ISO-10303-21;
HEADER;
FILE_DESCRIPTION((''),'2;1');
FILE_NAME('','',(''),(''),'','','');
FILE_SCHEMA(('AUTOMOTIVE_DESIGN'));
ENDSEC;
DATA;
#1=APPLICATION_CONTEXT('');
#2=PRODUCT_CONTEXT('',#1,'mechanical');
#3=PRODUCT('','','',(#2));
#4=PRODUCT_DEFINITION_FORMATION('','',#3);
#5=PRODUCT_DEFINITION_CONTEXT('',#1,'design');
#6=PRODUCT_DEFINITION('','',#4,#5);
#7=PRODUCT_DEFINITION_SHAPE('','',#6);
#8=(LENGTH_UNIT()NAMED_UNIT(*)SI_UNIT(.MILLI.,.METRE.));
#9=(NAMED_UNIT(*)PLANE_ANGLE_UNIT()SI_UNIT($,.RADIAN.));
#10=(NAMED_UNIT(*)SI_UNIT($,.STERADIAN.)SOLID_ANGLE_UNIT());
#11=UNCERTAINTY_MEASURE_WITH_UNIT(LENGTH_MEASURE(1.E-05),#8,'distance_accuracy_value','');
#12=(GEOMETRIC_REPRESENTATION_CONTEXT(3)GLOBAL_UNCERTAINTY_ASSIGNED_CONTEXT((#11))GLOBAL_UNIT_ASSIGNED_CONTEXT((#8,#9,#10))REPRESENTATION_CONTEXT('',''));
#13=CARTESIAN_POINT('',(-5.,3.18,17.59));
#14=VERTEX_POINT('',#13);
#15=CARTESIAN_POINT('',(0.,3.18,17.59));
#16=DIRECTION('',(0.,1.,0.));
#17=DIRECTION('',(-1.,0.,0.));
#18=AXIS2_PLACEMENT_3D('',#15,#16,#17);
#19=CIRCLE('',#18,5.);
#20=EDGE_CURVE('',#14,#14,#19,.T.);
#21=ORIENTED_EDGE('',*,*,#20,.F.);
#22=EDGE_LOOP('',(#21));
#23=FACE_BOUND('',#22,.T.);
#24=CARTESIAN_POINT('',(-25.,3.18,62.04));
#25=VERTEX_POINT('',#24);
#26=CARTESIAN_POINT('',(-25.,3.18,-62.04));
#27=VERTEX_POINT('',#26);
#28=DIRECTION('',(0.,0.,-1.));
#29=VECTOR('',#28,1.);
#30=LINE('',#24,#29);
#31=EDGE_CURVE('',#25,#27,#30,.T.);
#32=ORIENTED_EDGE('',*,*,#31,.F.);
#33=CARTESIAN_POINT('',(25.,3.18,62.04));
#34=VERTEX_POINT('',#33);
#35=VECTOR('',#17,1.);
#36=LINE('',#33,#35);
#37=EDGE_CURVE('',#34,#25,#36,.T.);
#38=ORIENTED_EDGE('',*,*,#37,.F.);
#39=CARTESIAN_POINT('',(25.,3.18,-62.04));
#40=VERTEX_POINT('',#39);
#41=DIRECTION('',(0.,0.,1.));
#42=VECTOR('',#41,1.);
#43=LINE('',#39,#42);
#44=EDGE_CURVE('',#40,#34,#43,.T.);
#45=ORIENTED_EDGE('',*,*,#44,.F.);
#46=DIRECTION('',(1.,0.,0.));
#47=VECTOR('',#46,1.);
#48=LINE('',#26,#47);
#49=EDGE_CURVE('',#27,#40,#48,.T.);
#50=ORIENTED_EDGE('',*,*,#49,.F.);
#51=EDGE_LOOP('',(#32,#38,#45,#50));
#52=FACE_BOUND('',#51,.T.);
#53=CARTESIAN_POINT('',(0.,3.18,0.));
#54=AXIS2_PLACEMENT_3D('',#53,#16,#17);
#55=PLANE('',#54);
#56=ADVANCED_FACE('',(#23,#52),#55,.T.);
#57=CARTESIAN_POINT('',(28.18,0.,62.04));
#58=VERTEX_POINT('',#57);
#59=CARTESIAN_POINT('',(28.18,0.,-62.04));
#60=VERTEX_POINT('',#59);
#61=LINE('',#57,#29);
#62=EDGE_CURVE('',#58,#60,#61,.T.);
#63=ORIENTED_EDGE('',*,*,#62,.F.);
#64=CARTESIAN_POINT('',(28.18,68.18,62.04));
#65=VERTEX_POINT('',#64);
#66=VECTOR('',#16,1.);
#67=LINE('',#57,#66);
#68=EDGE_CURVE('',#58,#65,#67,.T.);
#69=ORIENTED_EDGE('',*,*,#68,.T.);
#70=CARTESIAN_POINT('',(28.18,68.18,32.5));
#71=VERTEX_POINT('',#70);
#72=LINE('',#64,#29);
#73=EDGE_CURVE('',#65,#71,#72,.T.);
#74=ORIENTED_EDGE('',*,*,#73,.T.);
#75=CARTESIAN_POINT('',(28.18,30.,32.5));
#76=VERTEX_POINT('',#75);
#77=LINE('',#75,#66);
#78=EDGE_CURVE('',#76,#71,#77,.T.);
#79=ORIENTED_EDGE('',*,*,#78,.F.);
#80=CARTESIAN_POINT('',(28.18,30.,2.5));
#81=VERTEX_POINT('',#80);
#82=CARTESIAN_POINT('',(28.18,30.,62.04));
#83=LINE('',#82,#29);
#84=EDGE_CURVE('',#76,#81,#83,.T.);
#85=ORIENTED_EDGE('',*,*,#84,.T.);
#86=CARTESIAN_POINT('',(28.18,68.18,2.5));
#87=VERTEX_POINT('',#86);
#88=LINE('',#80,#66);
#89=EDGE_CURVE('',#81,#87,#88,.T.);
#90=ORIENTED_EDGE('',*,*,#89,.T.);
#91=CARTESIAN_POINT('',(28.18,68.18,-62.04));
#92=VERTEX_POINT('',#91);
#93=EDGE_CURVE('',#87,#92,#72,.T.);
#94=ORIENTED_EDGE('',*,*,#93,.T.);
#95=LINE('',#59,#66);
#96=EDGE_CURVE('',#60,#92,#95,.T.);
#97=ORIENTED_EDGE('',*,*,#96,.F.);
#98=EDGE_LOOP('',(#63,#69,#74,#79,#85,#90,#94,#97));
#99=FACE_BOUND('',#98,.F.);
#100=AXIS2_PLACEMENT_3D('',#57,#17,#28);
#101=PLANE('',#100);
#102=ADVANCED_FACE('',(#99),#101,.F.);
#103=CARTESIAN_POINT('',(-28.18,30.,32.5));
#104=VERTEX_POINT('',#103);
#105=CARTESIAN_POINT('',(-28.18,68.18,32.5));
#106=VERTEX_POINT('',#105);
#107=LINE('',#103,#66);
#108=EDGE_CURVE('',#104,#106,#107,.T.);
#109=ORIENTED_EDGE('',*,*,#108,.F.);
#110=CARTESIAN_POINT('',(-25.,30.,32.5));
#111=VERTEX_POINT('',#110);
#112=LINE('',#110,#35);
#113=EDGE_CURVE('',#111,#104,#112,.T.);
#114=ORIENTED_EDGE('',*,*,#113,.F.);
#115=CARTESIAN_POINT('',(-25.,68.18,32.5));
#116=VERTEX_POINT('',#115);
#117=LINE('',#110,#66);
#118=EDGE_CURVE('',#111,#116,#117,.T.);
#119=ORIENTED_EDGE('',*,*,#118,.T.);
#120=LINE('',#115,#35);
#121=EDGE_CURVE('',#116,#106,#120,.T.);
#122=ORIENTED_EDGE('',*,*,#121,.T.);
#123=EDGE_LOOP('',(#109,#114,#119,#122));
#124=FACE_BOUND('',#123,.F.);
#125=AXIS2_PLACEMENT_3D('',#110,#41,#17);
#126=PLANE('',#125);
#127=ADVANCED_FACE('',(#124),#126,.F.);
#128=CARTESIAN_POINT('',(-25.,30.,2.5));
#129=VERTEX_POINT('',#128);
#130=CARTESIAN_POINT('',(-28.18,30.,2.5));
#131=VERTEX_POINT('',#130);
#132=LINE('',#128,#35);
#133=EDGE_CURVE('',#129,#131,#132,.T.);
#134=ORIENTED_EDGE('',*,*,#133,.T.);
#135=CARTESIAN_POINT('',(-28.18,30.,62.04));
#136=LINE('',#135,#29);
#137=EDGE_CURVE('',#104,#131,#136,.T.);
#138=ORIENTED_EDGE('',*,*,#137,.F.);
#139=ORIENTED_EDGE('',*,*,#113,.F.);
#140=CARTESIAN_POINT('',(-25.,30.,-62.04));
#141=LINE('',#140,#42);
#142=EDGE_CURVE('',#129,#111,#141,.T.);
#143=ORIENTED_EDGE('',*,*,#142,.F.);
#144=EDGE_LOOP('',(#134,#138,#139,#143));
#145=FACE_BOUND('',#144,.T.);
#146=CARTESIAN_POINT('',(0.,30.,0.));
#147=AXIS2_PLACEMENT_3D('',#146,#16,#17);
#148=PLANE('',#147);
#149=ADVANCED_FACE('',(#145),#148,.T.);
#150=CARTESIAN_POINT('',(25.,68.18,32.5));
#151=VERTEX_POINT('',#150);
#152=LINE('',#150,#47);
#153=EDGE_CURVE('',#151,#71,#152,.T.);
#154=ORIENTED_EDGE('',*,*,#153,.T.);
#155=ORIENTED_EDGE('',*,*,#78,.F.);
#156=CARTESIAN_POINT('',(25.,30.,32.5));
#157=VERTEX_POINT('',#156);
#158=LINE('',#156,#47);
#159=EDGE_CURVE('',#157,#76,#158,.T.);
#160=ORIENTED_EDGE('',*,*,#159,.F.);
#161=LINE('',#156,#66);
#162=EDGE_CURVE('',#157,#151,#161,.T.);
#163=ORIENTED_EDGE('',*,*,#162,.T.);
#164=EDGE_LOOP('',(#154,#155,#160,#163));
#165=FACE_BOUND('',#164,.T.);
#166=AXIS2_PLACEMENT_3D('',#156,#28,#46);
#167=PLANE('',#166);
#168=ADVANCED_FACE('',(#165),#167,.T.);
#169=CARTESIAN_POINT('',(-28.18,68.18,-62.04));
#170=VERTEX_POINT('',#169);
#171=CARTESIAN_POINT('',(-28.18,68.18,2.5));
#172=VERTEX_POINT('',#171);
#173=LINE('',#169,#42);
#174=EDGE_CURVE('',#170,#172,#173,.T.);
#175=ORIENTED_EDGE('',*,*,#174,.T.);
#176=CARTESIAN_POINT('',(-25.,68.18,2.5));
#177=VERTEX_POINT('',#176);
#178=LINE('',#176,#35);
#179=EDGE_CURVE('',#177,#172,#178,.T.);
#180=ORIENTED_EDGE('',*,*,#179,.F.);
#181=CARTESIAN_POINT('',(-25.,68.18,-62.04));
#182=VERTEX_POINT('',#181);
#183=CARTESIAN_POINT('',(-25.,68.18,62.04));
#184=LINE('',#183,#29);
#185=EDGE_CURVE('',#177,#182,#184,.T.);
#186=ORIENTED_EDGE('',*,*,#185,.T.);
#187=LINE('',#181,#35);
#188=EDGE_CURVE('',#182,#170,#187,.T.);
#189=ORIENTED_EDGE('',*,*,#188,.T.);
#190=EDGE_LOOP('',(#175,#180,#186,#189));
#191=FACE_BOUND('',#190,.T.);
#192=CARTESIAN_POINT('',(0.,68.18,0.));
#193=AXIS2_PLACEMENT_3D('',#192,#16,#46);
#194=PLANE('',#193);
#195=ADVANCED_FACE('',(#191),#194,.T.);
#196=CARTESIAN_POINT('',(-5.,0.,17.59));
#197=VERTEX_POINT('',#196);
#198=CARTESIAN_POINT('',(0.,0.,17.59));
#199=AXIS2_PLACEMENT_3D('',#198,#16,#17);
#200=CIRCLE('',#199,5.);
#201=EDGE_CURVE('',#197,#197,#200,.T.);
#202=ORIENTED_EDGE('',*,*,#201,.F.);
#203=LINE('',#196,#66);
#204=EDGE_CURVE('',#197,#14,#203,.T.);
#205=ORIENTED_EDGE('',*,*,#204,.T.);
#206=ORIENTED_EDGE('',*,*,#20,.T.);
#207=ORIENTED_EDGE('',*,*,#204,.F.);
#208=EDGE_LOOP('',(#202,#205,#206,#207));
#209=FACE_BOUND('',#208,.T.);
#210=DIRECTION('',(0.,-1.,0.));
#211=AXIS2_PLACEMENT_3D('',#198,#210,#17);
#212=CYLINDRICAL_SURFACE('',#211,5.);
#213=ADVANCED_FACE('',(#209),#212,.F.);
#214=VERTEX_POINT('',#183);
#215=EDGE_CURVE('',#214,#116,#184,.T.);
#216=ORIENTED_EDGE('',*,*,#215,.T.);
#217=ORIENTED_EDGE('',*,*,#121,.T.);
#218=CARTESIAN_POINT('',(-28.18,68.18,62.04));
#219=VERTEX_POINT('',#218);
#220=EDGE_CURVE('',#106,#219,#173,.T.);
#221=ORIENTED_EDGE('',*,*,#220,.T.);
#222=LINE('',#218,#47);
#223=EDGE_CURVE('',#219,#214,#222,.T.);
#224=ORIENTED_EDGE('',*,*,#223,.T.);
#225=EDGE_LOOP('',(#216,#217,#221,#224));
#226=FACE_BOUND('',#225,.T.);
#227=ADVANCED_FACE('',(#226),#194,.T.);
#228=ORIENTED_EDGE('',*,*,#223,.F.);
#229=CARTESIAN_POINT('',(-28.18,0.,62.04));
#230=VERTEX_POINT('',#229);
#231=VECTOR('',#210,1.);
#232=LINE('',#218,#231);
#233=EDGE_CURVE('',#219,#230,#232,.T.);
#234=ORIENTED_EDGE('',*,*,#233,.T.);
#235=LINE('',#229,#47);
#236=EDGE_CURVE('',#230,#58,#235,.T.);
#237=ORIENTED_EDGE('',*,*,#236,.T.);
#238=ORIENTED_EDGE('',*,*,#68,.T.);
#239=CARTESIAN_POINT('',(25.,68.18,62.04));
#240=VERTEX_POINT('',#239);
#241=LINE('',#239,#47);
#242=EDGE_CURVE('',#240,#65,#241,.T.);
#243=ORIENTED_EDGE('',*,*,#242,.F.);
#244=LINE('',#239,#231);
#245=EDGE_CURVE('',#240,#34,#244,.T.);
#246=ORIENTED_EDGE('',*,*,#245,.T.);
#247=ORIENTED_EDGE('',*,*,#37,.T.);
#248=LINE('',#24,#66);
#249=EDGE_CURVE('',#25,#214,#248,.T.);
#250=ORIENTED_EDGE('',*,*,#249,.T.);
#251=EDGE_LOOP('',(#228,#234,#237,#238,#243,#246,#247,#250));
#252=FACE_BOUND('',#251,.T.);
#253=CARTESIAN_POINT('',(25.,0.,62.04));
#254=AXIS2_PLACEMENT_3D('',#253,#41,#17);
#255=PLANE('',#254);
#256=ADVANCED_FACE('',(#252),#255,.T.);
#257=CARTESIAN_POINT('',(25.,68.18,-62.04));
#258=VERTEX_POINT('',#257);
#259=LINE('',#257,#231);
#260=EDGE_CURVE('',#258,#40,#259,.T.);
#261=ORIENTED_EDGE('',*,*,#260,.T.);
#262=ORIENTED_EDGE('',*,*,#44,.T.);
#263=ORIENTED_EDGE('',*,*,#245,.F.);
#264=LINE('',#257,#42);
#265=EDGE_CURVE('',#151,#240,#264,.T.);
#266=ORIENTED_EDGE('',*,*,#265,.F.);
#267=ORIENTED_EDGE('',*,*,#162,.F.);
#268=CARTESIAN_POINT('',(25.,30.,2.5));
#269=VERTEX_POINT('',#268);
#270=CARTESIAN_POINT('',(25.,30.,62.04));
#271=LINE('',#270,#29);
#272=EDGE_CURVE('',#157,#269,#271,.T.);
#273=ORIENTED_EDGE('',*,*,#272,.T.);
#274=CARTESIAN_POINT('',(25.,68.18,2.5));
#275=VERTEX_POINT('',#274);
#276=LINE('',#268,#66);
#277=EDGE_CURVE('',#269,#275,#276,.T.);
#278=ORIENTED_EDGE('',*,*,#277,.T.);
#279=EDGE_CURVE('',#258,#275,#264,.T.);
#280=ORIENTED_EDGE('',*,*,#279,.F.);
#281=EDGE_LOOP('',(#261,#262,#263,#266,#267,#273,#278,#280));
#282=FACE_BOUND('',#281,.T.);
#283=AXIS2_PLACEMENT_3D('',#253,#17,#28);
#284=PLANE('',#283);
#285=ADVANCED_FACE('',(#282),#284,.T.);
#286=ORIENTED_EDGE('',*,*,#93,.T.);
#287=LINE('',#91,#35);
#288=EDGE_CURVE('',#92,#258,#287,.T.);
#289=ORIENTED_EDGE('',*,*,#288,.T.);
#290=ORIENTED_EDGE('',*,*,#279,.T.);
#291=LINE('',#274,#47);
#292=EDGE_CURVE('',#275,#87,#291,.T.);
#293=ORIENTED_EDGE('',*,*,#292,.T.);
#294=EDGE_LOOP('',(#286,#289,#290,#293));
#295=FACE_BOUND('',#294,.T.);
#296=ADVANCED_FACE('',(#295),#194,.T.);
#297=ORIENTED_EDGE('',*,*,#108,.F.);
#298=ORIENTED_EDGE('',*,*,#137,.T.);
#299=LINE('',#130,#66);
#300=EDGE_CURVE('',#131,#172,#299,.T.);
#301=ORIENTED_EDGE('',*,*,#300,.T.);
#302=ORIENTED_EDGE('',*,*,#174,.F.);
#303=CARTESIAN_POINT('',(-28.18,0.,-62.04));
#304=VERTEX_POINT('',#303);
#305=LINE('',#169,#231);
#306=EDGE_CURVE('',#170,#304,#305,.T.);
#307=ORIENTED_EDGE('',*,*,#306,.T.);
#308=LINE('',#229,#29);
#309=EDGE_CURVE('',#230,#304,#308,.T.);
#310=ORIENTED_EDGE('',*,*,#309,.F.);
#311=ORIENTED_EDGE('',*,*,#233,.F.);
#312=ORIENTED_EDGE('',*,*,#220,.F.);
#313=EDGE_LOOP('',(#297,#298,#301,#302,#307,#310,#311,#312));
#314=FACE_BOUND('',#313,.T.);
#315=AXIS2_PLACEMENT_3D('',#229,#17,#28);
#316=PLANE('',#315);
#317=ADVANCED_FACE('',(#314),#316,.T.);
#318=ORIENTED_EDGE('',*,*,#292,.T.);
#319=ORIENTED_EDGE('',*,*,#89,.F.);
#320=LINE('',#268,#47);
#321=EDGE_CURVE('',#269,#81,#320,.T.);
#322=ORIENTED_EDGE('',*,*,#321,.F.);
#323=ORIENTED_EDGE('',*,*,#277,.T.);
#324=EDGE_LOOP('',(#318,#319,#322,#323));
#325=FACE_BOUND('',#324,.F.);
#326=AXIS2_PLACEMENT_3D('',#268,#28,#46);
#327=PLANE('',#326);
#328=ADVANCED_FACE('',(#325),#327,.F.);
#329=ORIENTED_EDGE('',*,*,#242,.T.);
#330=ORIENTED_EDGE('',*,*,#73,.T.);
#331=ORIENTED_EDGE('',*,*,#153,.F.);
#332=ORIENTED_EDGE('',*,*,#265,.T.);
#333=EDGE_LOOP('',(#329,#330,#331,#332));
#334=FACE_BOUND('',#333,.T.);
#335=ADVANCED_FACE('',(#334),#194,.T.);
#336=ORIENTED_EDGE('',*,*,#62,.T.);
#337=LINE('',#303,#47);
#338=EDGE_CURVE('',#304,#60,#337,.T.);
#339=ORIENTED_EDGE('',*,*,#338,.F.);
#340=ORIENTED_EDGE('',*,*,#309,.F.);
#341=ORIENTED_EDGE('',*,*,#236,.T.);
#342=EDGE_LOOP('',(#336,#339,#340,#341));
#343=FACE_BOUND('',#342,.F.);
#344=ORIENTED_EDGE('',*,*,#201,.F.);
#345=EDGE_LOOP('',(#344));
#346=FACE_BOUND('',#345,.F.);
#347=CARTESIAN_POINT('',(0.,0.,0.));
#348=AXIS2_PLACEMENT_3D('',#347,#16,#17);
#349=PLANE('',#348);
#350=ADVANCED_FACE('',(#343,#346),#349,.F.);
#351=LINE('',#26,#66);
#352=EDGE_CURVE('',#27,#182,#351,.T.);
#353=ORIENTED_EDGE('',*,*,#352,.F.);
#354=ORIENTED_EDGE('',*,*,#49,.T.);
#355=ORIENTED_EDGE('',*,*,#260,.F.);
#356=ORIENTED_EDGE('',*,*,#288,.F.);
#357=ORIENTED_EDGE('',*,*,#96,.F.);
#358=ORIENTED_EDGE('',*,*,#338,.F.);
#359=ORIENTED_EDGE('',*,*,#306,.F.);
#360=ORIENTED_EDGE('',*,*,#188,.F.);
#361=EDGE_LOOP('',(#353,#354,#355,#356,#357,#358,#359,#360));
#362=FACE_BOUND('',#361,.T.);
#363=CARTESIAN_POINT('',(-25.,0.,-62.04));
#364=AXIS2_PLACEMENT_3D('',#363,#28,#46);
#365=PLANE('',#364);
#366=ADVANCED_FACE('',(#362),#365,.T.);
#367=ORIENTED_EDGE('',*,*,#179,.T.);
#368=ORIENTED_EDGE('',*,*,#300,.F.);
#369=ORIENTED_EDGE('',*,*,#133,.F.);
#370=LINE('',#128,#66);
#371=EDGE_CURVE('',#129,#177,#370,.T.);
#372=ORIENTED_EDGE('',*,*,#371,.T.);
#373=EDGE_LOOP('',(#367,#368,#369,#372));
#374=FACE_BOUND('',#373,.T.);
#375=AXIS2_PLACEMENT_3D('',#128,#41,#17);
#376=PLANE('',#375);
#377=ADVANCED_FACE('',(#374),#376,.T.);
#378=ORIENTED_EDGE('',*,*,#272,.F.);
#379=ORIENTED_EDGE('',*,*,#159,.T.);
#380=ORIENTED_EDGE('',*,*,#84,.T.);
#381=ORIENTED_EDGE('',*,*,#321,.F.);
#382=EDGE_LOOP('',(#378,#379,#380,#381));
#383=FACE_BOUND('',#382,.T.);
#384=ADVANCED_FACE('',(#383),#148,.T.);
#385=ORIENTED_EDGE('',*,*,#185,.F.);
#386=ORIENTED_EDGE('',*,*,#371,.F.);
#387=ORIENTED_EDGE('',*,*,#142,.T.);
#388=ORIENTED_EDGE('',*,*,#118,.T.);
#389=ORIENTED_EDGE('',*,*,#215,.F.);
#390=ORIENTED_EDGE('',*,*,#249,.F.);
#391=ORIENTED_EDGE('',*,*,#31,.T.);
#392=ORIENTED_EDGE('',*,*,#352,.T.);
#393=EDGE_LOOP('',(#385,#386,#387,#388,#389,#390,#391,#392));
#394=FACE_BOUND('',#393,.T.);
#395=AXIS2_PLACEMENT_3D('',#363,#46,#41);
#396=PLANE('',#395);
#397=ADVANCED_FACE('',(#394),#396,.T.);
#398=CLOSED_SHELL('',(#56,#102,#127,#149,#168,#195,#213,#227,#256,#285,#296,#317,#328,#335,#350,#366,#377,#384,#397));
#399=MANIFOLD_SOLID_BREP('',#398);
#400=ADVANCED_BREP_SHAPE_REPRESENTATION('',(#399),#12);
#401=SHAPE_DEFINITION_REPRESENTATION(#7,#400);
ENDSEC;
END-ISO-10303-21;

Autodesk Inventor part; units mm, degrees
ref_plane "YZ Plane" through (0, 0, 0) normal (1, 0, 0) x (0, 1, 0)
ref_plane "XZ Plane" through (0, 0, 0) normal (0, 1, 0) x (-1, 0, 0)
ref_plane "XY Plane" through (0, 0, 0) normal (0, 0, 1) x (1, 0, 0)
sketch "Sketch1" plane through (0, 0, 0) normal (0, 1, 0) x (-1, 0, 0)
  line L0 (-25, 62.04) -> (25, 62.04)
  line L1 (25, 62.04) -> (25, -62.04)
  line L2 (25, -62.04) -> (-25, -62.04)
  line L3 (-25, -62.04) -> (-25, 62.04)
  line L4 (-25, 62.04) -> (25, -62.04) construction
  line L5 (25, 62.04) -> (-25, -62.04) construction
  circle A0 centre (0, 17.59) radius 5
  point P0 (0, 0)
  dimension "d0" = 50
  dimension "d1" = 124.08
  dimension "d2" = 10
  dimension "d3" = 44.45
  dimension "d4" = 25
extrude "Extrusion1" add sketch "Sketch1" along normal blind 3.18
sketch "Sketch4" plane through (0, 0, 0) normal (0, 1, 0) x (-1, 0, 0)
  circle A0 centre (0, 17.59) radius 5 projected
  line L0 (25, 62.04) -> (-25, 62.04) projected
  line L1 (-25, 62.04) -> (-25, -62.04) projected
  line L2 (-25, -62.04) -> (25, -62.04) projected
  line L3 (25, -62.04) -> (25, 62.04) projected
  line L4 (25, 62.04) -> (28.18, 62.04)
  line L5 (28.18, 62.04) -> (28.18, -62.04)
  line L6 (28.18, -62.04) -> (25, -62.04)
  line L7 (25, -62.04) -> (25, 62.04)
  line L8 (-25, 62.04) -> (-28.18, 62.04)
  line L9 (-28.18, 62.04) -> (-28.18, -62.04)
  line L10 (-28.18, -62.04) -> (-25, -62.04)
  line L11 (-25, -62.04) -> (-25, 62.04)
  point P0 (0, 0)
  dimension "d11" = 3.18
  dimension "d12" = 3.18
extrude "Extrusion3" add sketch "Sketch4" along normal blind 30 contours L4 L5 L6 L3 | L1 L10 L9 L8
sketch "Sketch5" plane through (0, 30, 0) normal (0, 1, 0) x (1, 0, 0)
  line L0 (-25, -62.04) -> (-25, 62.04) projected
  line L1 (-25, 62.04) -> (-28.18, 62.04) projected
  line L2 (-28.18, 62.04) -> (-28.18, -62.04) projected
  line L3 (-28.18, -62.04) -> (-25, -62.04) projected
  line L4 (25, -62.04) -> (28.18, -62.04) projected
  line L5 (28.18, -62.04) -> (28.18, 62.04) projected
  line L6 (28.18, 62.04) -> (25, 62.04) projected
  line L7 (25, 62.04) -> (25, -62.04) projected
  line L8 (-25, 62.04) -> (-25, -62.04) projected
  line L9 (-28.18, -62.04) -> (-25, -62.04)
  line L10 (-25, -62.04) -> (-25, -32.5)
  line L11 (-25, -32.5) -> (-28.18, -32.5)
  line L12 (-28.18, -32.5) -> (-28.18, -62.04)
  line L13 (-28.18, 62.04) -> (28.18, 62.04) projected
  line L14 (-28.18, 62.04) -> (-25, 62.04)
  line L15 (-25, 62.04) -> (-25, -2.5)
  line L16 (-25, -2.5) -> (-28.18, -2.5)
  line L17 (-28.18, -2.5) -> (-28.18, 62.04)
  line L18 (28.18, -62.04) -> (28.18, 62.04) projected
  line L19 (25, -62.04) -> (28.18, -62.04)
  line L20 (28.18, -62.04) -> (28.18, -32.5)
  line L21 (28.18, -32.5) -> (25, -32.5)
  line L22 (25, -32.5) -> (25, -62.04)
  line L23 (25, -62.04) -> (25, 62.04) projected
  line L24 (28.18, 62.04) -> (25, 62.04)
  line L25 (25, 62.04) -> (25, -2.5)
  line L26 (25, -2.5) -> (28.18, -2.5)
  line L27 (28.18, -2.5) -> (28.18, 62.04)
  point P0 (0, 0)
  dimension "d15" = 29.54
  dimension "d16" = 64.54
  dimension "d17" = 29.54
  dimension "d18" = 64.54
extrude "Extrusion4" add sketch "Sketch5" along normal blind 38.18 contours L3 L2 L11 L0 | L16 L2 L1 L0
sketch "Sketch6" plane through (0, 30, 0) normal (0, 1, 0) x (1, 0, 0)
  line L0 (25, -62.04) -> (28.18, -62.04) projected
  line L1 (28.18, -62.04) -> (28.18, 62.04) projected
  line L2 (28.18, 62.04) -> (25, 62.04) projected
  line L3 (25, 62.04) -> (25, -62.04) projected
  line L4 (28.18, -62.04) -> (28.18, 62.04) projected
  line L5 (25, -62.04) -> (25, 62.04) projected
  line L6 (28.18, -62.04) -> (25, -62.04)
  line L7 (25, -62.04) -> (25, -32.5)
  line L8 (25, -32.5) -> (28.18, -32.5)
  line L9 (28.18, -32.5) -> (28.18, -62.04)
  line L10 (28.18, 62.04) -> (25, 62.04)
  line L11 (25, 62.04) -> (25, -2.5)
  line L12 (25, -2.5) -> (28.18, -2.5)
  line L13 (28.18, -2.5) -> (28.18, 62.04)
  point P0 (0, 0)
  dimension "d21" = 29.54
  dimension "d22" = 64.54
extrude "Extrusion5" add sketch "Sketch6" along normal blind 38.18 contours L3 L8 L1 L0 | L3 L2 L1 L12
properties part number "Hombro_base"
